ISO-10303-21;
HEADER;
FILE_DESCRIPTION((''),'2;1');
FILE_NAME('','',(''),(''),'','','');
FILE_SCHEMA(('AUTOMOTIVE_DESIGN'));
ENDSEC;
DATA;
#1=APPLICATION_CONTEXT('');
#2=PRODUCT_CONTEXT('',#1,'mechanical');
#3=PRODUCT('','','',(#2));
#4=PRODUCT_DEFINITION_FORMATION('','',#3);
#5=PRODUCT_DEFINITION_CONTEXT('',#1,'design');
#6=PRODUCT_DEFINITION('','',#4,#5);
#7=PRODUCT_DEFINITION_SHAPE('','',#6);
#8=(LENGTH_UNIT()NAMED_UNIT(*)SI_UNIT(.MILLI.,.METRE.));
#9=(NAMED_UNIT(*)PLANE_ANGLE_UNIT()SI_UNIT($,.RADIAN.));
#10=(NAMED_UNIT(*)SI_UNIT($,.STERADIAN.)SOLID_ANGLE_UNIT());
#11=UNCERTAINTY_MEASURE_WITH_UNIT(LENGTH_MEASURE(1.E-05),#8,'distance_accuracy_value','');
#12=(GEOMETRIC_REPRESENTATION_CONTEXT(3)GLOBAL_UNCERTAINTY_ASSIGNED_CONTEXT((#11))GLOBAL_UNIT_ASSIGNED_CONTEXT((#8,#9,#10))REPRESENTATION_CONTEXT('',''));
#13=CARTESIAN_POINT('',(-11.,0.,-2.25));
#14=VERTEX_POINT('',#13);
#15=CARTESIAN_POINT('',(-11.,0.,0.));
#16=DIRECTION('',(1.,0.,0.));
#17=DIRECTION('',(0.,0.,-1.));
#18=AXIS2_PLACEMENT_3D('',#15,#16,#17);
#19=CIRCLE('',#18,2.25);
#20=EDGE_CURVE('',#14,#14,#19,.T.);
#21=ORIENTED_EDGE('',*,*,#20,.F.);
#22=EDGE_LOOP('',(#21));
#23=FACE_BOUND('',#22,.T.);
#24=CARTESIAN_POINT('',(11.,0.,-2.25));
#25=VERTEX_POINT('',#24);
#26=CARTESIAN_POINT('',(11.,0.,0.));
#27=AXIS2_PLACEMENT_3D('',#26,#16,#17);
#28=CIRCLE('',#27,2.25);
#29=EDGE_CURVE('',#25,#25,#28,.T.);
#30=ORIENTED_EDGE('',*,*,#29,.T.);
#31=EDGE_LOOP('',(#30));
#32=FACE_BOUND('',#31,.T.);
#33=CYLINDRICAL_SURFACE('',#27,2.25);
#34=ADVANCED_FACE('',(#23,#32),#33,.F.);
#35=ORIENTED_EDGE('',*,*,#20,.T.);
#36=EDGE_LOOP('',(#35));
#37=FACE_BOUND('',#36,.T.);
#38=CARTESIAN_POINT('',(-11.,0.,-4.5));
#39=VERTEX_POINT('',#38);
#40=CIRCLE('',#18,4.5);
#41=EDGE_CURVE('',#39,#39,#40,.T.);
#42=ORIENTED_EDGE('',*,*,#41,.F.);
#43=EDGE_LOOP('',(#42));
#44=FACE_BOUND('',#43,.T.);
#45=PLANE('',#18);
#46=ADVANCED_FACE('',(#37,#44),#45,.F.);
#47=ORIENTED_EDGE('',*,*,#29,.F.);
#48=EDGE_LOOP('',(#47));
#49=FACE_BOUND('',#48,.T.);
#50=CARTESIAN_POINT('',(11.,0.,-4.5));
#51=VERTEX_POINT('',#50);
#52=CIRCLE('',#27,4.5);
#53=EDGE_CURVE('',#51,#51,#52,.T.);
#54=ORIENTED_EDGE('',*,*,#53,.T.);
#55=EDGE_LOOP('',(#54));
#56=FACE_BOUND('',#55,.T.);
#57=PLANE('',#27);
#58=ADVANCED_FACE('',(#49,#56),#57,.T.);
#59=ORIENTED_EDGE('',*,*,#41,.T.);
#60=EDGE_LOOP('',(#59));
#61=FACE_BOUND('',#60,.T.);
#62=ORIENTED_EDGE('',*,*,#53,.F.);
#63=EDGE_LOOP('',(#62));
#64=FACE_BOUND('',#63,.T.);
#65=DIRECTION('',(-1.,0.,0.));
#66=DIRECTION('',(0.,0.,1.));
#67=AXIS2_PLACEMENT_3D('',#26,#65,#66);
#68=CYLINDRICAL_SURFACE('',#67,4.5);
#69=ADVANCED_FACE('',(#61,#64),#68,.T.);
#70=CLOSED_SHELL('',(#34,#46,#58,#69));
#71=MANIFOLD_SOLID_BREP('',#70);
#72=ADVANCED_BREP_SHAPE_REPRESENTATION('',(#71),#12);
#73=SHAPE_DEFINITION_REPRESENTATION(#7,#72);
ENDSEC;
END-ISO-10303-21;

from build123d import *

# Parameters (mm, degrees)
CROQUIS1_R                   = 4.5
SALIENTE_EXTRUIR1_DEPTH      = 11
TALADRO_DE_MARGEN_PARA_M41_D = 4.5


with BuildPart() as part:
    # Croquis1 → Saliente-Extruir1 (new, symmetric)
    with BuildSketch(Plane(origin=(0, 0, 0), x_dir=(0, 0, -1), z_dir=(1, 0, 0))):
        Circle(CROQUIS1_R)
    extrude(amount=SALIENTE_EXTRUIR1_DEPTH, both=True)

    # Taladro de margen para M41 (through all)
    with Locations(Plane(origin=(11, 0, 0), x_dir=(0, 0, -1), z_dir=(1, 0, 0))):
        with Locations((0, 0)):
            Hole(TALADRO_DE_MARGEN_PARA_M41_D / 2)


solid = part.part
